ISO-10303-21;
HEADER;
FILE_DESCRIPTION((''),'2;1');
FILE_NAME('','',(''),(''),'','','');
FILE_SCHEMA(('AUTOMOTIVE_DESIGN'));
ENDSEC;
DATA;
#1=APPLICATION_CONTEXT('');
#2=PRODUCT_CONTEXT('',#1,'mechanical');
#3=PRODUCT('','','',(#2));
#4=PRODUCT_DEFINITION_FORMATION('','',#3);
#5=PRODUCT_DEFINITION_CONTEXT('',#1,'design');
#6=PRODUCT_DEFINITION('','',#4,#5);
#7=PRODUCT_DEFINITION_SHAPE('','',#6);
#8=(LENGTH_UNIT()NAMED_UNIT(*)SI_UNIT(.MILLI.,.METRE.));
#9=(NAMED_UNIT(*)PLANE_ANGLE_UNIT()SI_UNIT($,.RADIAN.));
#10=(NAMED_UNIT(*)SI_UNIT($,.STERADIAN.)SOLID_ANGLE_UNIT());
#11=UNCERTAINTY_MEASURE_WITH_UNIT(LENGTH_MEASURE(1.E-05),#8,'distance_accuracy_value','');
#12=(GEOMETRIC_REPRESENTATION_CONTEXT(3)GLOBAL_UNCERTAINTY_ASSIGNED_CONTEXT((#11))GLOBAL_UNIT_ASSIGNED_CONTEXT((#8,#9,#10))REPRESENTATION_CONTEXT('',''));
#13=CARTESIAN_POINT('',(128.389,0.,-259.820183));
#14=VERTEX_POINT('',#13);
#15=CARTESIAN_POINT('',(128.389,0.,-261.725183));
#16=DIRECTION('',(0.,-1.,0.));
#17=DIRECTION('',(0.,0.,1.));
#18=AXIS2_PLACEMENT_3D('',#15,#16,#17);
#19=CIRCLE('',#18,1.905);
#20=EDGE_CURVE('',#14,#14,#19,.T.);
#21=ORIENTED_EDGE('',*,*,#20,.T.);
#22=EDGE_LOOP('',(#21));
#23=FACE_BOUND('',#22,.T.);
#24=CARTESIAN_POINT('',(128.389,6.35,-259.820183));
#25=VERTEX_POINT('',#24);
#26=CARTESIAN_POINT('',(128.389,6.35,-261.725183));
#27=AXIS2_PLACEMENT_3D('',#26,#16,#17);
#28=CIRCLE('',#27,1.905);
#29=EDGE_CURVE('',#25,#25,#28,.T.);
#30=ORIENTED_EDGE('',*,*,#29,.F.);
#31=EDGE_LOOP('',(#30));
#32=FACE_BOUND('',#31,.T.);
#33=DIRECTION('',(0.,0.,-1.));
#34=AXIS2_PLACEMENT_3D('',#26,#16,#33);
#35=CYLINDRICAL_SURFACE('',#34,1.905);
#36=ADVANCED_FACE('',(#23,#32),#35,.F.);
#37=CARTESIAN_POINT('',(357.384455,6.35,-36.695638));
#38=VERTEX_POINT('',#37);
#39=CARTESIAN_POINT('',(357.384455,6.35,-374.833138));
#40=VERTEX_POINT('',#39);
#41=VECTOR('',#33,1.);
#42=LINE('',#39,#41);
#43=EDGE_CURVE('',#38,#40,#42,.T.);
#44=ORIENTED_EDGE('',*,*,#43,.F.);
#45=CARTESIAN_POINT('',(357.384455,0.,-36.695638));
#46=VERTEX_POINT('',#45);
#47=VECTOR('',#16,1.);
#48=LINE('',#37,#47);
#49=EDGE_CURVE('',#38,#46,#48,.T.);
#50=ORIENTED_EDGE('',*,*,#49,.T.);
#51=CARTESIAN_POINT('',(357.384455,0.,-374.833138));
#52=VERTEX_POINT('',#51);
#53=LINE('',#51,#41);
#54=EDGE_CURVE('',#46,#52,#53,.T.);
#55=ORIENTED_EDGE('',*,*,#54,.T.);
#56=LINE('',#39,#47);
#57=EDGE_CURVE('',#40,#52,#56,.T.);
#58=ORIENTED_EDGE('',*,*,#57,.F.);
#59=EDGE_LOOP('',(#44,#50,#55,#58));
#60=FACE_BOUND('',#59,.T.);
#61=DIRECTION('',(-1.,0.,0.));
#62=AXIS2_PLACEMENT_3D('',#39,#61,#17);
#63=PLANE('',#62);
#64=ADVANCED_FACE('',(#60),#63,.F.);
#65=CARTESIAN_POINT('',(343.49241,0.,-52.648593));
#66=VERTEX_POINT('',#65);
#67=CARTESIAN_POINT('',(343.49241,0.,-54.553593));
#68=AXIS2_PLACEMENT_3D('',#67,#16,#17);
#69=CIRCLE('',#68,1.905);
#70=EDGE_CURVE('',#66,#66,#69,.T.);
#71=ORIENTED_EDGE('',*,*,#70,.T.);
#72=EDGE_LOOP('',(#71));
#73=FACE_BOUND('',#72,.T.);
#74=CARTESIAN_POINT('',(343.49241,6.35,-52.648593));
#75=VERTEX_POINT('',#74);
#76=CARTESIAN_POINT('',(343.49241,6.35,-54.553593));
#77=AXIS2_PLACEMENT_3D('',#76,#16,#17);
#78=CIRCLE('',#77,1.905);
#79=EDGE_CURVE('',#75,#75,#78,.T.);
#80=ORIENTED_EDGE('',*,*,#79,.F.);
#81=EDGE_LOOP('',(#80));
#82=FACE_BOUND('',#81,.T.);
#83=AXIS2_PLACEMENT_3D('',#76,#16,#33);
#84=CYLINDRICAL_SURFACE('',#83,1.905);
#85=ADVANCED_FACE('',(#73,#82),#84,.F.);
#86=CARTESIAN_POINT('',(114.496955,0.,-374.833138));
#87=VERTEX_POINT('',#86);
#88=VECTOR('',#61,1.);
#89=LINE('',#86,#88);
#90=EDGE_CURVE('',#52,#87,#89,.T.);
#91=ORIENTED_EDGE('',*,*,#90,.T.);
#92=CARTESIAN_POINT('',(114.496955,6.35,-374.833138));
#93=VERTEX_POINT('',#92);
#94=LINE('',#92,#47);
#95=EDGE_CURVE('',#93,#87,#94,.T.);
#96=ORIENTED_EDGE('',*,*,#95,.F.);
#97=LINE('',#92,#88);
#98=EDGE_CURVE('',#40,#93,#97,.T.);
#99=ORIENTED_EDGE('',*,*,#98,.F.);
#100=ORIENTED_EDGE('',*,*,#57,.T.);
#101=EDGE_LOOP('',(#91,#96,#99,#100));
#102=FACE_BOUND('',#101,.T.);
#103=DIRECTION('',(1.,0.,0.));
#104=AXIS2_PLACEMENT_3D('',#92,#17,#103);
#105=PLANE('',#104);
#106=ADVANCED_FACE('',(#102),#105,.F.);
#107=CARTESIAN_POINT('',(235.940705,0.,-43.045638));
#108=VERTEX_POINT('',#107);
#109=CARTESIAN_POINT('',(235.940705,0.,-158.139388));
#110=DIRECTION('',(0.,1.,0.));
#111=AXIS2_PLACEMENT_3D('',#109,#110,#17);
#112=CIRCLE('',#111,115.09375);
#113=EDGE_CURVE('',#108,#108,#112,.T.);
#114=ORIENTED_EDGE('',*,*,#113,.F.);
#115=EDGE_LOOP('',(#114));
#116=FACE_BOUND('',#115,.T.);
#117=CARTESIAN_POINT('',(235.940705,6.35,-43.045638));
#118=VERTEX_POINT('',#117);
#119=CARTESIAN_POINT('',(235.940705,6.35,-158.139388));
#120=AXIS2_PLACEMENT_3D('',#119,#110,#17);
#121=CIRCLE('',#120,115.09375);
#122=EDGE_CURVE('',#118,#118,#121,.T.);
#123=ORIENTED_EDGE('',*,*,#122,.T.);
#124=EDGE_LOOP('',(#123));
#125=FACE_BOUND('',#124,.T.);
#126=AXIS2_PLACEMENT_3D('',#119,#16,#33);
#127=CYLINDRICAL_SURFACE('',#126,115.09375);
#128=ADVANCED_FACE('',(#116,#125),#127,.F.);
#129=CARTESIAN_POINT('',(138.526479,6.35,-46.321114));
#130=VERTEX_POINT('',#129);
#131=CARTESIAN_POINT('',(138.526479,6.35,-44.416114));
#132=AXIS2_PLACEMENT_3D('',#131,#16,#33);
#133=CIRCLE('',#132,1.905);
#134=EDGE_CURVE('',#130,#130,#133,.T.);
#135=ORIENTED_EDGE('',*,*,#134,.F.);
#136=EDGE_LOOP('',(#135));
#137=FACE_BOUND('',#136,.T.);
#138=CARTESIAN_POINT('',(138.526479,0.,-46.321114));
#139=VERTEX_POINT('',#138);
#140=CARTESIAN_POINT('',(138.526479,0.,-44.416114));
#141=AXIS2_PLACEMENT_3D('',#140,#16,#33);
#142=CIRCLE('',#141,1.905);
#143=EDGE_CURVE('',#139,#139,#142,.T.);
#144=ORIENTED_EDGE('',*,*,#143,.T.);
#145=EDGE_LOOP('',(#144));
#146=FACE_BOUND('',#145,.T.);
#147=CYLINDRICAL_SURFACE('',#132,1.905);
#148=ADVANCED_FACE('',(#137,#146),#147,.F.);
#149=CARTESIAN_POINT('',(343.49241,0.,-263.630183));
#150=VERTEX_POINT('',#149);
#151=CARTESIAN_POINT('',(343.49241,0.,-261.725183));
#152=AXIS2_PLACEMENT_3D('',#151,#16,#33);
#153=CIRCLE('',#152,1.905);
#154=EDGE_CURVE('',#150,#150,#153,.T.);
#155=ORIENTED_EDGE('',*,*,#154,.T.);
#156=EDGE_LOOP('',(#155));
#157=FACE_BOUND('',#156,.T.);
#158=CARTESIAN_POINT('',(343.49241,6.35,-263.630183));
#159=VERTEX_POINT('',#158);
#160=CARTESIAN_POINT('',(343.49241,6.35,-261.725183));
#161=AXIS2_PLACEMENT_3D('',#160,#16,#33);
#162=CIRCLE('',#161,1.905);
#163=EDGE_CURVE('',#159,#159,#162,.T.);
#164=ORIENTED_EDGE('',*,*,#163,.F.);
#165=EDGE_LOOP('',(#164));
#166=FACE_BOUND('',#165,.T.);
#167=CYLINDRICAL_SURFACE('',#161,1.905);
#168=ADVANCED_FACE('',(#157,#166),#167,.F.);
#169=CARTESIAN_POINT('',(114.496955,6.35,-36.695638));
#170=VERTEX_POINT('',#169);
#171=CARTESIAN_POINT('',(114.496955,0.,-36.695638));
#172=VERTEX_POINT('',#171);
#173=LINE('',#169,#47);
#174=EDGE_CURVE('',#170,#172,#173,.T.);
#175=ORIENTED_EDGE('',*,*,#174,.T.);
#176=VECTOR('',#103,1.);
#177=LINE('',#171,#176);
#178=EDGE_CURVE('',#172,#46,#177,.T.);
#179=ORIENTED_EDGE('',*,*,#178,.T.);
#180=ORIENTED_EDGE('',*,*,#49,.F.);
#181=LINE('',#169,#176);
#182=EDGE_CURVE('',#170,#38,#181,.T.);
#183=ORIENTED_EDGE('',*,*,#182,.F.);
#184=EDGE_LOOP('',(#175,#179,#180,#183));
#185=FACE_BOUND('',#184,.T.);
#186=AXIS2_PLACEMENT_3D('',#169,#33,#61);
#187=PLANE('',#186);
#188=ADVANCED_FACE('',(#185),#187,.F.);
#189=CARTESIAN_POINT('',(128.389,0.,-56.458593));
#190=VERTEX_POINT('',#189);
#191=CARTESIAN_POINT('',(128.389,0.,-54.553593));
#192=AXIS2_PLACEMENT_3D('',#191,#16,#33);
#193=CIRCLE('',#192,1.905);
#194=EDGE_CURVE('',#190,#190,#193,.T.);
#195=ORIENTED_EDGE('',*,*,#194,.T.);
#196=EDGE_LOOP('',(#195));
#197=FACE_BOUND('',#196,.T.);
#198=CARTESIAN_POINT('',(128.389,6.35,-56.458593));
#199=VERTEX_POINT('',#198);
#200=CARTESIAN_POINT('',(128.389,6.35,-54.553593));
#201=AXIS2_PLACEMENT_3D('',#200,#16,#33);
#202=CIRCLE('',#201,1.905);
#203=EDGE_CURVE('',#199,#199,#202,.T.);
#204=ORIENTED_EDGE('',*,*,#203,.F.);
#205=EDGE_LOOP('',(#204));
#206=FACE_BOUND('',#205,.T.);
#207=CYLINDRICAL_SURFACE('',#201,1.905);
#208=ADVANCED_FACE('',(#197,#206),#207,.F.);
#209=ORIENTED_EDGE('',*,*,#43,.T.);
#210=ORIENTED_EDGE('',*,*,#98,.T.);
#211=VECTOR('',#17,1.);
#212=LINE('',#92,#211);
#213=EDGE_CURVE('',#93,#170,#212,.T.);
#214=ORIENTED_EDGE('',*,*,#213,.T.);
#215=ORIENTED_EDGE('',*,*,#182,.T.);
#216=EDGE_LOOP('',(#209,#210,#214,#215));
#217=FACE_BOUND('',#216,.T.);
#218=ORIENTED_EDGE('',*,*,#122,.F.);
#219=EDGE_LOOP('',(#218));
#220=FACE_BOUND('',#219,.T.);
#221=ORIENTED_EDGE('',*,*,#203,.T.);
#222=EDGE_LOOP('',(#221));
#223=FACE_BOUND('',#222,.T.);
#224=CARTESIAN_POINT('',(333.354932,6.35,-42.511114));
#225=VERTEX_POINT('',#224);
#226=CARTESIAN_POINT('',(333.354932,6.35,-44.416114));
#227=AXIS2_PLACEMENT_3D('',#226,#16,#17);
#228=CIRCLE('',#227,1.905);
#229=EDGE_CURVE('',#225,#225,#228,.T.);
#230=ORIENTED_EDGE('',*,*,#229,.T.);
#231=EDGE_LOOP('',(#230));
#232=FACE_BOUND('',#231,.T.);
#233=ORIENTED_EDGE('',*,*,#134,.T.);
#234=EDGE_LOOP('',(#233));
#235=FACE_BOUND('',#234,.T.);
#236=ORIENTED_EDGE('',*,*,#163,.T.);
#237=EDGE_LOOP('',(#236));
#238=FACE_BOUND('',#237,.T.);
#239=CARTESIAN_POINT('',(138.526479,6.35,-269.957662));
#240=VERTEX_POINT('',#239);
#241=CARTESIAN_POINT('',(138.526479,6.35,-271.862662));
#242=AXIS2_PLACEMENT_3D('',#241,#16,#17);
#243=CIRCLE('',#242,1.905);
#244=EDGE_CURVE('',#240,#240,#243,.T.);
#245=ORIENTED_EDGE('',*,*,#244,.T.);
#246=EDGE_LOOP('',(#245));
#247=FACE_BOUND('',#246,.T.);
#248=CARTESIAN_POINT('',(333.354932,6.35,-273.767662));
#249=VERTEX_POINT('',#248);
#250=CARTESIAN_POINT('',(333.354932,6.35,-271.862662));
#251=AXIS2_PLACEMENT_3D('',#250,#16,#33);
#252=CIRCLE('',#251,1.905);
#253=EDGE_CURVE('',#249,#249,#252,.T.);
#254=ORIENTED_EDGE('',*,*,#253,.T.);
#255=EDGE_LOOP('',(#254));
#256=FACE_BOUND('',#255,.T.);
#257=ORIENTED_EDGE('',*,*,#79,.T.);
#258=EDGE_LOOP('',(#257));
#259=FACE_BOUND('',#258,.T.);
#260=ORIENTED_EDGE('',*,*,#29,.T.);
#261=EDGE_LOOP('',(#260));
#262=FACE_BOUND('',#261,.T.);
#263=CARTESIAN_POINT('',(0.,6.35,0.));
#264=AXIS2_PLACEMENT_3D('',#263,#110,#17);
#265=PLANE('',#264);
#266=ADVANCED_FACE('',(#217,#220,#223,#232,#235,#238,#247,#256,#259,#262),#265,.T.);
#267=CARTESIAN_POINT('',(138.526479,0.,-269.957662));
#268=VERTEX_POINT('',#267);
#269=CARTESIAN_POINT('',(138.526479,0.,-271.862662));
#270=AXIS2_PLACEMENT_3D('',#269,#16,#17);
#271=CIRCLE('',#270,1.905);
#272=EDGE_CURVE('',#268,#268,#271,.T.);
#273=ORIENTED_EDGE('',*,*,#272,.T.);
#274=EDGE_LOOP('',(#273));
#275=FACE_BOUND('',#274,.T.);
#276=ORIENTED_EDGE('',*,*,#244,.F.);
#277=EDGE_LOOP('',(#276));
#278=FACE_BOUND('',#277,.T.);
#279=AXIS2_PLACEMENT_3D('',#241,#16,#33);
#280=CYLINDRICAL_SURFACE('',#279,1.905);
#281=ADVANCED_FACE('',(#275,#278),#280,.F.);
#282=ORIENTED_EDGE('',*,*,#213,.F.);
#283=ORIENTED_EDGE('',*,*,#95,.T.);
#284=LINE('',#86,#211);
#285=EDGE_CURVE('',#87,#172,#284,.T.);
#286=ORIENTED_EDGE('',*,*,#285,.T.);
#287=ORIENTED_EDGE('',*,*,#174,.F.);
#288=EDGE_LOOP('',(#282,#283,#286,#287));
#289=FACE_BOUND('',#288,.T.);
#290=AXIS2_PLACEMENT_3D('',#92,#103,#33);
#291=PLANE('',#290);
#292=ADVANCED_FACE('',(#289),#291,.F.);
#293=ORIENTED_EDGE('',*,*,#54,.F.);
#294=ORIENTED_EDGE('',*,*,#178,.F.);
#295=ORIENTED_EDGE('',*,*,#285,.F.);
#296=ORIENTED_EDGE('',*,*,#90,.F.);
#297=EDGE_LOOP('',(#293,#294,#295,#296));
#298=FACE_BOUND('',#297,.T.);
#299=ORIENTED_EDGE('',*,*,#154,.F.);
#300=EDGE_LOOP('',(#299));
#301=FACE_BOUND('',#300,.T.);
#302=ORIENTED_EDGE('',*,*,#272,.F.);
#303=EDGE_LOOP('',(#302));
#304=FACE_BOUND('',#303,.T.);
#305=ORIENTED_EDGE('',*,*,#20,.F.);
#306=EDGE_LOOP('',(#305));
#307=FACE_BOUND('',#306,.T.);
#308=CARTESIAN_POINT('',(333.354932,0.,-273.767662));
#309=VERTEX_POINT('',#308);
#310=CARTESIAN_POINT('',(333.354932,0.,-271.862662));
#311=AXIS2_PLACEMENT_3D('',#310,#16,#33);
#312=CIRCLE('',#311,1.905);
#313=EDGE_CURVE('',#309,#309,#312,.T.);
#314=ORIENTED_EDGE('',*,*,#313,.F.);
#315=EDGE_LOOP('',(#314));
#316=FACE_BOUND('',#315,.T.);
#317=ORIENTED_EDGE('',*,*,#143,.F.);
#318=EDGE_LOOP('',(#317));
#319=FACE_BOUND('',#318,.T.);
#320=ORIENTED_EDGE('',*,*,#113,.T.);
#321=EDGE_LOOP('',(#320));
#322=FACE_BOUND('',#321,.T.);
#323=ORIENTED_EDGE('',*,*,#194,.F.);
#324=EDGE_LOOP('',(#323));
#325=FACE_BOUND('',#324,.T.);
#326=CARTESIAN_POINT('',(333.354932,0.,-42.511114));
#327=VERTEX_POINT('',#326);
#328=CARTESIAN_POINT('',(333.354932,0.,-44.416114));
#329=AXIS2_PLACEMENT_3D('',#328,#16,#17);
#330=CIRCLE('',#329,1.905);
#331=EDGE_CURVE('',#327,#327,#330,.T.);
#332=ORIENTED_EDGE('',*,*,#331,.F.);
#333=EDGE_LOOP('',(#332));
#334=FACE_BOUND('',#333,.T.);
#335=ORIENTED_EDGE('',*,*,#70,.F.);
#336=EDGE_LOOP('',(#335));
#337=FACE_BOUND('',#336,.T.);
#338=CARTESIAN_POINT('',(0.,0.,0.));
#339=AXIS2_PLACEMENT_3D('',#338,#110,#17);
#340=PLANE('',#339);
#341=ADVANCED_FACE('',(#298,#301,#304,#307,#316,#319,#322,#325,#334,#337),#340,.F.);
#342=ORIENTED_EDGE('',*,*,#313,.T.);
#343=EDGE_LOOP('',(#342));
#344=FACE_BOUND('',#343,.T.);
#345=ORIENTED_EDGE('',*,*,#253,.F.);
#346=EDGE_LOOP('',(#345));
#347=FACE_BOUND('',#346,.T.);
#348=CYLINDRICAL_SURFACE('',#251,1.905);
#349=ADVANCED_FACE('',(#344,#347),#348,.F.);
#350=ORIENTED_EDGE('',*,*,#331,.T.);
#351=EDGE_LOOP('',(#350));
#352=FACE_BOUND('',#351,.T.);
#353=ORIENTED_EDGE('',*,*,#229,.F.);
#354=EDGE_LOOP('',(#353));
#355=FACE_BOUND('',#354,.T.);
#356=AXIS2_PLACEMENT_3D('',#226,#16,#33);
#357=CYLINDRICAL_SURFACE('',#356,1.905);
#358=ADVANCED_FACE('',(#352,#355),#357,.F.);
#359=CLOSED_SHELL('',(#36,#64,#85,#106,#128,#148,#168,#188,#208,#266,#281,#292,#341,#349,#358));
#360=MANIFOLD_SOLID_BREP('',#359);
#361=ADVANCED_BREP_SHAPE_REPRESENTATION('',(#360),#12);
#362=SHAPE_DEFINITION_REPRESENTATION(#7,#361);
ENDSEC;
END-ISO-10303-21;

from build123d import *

# Parameters (mm, degrees)
SKETCH1_W           = 242.8875
SKETCH1_H           = 338.1375
SKETCH1_R           = 115.09375
BOSS_EXTRUDE1_DEPTH = 6.35
SKETCH7_R           = 1.905
CUT_EXTRUDE1_DEPTH  = 518.94193961


with BuildPart() as part:
    # Sketch1 → Boss-Extrude1 (new body)
    with BuildSketch(Plane(origin=(0, 0, 0), x_dir=(1, 0, 0), z_dir=(0, 1, 0))):
        with Locations((235.940705356, 205.764388046)):
            Rectangle(SKETCH1_W, SKETCH1_H)
        with Locations(Location((235.940705356, 158.139388046, 0), (0, 0, 270))):
            Circle(SKETCH1_R, mode=Mode.SUBTRACT)
    extrude(amount=BOSS_EXTRUDE1_DEPTH)

    # Sketch7 → Cut-Extrude1 (cut, through all)
    with BuildSketch(Plane.XZ):
        with Locations(Location((138.526478951, -44.416114451, 0), (0, 0, 270))):
            Circle(SKETCH7_R)
        with Locations(Location((128.389000388, -54.553593014, 0), (0, 0, 270))):
            Circle(SKETCH7_R)
        with Locations(Location((343.492410323, -54.553593014, 0), (0, 0, 90))):
            Circle(SKETCH7_R)
        with Locations(Location((333.354931761, -44.416114451, 0), (0, 0, 90))):
            Circle(SKETCH7_R)
        with Locations(Location((333.354931761, -271.862661641, 0), (0, 0, 270))):
            Circle(SKETCH7_R)
        with Locations(Location((343.492410323, -261.725183078, 0), (0, 0, 270))):
            Circle(SKETCH7_R)
        with Locations(Location((128.389000388, -261.725183078, 0), (0, 0, 90))):
            Circle(SKETCH7_R)
        with Locations(Location((138.526478951, -271.862661641, 0), (0, 0, 90))):
            Circle(SKETCH7_R)
    extrude(amount=-CUT_EXTRUDE1_DEPTH, mode=Mode.SUBTRACT)


solid = part.part
